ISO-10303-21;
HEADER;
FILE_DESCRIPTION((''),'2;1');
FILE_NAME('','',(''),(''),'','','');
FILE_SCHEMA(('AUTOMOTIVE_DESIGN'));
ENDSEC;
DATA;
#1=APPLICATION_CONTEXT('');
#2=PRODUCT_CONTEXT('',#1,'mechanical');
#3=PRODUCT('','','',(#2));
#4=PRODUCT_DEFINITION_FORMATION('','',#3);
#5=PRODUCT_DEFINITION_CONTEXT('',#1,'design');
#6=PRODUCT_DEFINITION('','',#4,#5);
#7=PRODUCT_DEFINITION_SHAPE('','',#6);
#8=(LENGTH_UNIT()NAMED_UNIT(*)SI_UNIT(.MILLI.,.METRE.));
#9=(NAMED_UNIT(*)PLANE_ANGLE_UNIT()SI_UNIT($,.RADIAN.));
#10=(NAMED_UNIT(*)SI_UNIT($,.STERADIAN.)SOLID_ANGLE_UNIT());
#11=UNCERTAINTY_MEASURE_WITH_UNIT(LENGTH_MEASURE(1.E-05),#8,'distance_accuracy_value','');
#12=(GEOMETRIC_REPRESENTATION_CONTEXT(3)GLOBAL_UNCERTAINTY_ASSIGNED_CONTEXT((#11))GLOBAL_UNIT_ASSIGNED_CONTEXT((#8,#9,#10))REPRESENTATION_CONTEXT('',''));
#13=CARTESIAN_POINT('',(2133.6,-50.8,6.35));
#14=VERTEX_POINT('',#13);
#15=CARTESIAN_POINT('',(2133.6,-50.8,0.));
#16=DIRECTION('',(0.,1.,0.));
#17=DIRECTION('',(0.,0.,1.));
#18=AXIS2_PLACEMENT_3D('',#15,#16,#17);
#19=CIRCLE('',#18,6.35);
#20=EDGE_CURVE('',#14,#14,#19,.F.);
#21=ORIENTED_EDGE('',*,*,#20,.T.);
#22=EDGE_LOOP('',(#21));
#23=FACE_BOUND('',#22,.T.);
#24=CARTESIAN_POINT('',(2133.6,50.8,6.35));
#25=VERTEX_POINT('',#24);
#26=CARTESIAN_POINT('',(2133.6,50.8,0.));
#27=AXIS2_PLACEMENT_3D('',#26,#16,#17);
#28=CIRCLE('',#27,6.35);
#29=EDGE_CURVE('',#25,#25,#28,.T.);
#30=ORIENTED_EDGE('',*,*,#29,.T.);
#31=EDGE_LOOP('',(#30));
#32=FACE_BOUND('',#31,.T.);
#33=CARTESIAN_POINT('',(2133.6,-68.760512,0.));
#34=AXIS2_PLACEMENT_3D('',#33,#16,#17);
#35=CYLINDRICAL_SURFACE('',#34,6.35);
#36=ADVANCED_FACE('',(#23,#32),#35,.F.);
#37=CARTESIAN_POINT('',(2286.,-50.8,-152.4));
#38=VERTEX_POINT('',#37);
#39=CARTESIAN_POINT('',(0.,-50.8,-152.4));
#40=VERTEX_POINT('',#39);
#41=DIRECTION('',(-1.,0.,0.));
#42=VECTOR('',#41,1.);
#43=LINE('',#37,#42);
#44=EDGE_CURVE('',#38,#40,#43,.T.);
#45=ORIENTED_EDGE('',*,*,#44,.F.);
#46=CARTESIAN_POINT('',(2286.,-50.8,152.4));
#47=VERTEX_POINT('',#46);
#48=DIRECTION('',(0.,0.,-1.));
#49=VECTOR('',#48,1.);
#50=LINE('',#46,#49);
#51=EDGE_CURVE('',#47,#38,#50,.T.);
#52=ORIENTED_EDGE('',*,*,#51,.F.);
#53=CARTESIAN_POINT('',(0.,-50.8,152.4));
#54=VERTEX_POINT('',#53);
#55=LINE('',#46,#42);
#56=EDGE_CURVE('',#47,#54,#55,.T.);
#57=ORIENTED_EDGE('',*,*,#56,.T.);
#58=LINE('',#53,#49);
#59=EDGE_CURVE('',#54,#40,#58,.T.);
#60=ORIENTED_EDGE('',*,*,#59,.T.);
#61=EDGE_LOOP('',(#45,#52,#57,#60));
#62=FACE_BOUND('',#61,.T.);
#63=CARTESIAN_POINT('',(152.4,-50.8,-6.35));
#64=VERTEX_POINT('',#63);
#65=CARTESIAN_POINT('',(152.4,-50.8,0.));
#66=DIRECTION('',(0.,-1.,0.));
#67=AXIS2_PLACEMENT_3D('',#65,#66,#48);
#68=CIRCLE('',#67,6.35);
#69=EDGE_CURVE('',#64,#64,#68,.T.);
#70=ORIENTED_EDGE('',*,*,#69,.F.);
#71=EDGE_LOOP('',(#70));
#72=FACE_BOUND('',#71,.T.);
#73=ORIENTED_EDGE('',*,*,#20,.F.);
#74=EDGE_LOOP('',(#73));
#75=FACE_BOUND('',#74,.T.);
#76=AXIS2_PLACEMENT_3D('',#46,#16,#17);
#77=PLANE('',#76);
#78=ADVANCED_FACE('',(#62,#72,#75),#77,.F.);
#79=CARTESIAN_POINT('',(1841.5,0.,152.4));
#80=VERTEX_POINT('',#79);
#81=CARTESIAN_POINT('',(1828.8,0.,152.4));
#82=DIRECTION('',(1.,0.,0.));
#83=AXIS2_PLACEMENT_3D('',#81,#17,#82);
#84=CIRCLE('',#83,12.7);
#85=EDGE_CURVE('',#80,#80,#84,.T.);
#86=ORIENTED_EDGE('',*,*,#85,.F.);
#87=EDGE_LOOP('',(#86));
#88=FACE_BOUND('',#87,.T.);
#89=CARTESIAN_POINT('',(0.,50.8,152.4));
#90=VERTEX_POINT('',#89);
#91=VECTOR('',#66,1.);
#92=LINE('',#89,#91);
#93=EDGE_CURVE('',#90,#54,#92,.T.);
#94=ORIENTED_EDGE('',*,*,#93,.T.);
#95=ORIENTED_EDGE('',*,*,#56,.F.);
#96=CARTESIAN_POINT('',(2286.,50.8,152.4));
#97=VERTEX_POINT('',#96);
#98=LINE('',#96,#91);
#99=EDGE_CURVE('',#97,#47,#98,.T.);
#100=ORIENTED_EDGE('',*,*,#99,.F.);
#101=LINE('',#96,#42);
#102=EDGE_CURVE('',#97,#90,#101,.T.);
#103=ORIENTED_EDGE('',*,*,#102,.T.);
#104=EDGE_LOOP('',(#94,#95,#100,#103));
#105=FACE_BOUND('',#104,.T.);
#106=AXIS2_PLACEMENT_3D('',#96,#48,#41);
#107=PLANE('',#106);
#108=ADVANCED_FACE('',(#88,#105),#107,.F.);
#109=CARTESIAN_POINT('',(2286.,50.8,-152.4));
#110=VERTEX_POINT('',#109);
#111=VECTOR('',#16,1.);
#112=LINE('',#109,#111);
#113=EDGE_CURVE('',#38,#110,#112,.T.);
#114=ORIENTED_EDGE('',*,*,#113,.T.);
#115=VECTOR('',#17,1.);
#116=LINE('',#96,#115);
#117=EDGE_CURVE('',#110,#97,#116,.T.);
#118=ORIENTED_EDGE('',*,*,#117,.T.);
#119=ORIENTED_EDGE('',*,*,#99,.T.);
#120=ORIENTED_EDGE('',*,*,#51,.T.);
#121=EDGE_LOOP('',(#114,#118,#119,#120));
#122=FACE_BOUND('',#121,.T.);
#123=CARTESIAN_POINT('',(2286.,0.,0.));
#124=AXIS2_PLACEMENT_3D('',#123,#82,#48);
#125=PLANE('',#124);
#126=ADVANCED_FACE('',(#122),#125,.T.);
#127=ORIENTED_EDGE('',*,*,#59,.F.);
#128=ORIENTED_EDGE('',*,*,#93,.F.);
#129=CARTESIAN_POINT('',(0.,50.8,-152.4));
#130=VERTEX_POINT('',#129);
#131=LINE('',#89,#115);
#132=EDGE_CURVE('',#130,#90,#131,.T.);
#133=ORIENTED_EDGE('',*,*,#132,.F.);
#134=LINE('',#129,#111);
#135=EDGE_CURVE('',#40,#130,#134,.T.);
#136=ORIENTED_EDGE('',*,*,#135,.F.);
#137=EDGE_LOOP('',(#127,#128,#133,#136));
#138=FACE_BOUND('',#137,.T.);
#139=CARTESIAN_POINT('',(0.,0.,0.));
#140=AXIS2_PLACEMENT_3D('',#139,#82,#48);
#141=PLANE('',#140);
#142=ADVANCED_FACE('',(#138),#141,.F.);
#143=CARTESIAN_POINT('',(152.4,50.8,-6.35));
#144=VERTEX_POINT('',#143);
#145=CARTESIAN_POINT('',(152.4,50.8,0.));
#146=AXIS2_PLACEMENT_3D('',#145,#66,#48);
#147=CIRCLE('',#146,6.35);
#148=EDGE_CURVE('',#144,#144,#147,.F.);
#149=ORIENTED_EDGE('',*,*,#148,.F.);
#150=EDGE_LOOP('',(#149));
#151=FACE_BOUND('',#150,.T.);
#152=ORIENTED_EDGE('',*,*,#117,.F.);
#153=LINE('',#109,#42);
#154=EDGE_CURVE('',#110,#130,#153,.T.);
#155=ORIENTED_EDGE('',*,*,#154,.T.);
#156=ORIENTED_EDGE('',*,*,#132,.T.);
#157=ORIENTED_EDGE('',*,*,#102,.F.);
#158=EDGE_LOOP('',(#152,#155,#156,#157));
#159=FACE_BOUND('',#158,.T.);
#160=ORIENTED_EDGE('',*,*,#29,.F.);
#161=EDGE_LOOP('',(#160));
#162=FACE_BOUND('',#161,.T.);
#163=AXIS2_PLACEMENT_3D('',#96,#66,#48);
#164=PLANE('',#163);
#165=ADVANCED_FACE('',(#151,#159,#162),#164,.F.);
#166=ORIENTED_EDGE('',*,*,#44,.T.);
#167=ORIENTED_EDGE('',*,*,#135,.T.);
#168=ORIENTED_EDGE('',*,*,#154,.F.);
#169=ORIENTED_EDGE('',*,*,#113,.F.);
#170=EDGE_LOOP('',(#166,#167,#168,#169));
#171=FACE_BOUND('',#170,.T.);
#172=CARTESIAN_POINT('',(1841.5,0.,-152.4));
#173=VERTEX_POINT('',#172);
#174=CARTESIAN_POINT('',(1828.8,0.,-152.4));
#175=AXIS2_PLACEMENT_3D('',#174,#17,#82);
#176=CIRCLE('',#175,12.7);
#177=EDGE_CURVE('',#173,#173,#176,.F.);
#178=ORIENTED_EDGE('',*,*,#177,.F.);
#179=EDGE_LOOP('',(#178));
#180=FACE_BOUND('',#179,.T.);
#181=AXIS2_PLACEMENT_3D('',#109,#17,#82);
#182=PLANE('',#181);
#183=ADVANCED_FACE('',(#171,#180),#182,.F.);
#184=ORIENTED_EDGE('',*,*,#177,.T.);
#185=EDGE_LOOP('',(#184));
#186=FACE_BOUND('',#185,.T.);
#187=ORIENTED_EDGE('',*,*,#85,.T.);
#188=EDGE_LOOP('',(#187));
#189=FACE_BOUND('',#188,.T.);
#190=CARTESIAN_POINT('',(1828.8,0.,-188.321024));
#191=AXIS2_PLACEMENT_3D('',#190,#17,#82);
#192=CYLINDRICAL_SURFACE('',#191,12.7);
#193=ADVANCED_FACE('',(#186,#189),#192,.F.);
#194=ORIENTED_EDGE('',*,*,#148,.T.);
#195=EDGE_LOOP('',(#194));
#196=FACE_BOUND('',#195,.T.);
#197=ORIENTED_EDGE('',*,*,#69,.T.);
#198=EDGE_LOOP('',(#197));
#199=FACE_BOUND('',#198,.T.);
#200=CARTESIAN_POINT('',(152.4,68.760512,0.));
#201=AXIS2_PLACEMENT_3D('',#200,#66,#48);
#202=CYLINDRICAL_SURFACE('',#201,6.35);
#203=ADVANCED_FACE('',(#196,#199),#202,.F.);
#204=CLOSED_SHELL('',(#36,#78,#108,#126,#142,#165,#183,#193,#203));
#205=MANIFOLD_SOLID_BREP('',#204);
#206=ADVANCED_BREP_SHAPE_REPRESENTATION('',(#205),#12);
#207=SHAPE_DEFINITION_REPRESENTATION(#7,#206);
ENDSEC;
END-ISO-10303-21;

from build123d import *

# Parameters (mm, degrees)
SKETCH1_W           = 304.8
SKETCH1_H           = 101.6
BOSS_EXTRUDE1_DEPTH = 2286
SKETCH2_R           = 12.7
CUT_EXTRUDE1_DEPTH  = 304.8
SKETCH3_R           = 6.35
CUT_EXTRUDE2_DEPTH  = 101.6
SKETCH4_R           = 6.35
CUT_EXTRUDE3_DEPTH  = 101.6


with BuildPart() as part:
    # Sketch1 → Boss-Extrude1 (new body)
    with BuildSketch(Plane(origin=(0, 0, 0), x_dir=(0, 0, -1), z_dir=(1, 0, 0))):
        Rectangle(SKETCH1_W, SKETCH1_H)
    extrude(amount=BOSS_EXTRUDE1_DEPTH)

    # Sketch2 → Cut-Extrude1 (cut)
    with BuildSketch(Plane.XY.offset(152.4)):
        with Locations((1828.8, 0)):
            Circle(SKETCH2_R)
    extrude(amount=-CUT_EXTRUDE1_DEPTH, mode=Mode.SUBTRACT)

    # Sketch3 → Cut-Extrude2 (cut)
    with BuildSketch(Plane(origin=(0, 50.8, 0), x_dir=(1, 0, 0), z_dir=(0, 1, 0))):
        with Locations(Location((2133.6, 0, 0), (0, 0, 270))):
            Circle(SKETCH3_R)
    extrude(amount=-CUT_EXTRUDE2_DEPTH, mode=Mode.SUBTRACT)

    # Sketch4 → Cut-Extrude3 (cut)
    with BuildSketch(Plane.XZ.offset(50.8)):
        with Locations(Location((152.4, 0, 0), (0, 0, 270))):
            Circle(SKETCH4_R)
    extrude(amount=-CUT_EXTRUDE3_DEPTH, mode=Mode.SUBTRACT)


solid = part.part
